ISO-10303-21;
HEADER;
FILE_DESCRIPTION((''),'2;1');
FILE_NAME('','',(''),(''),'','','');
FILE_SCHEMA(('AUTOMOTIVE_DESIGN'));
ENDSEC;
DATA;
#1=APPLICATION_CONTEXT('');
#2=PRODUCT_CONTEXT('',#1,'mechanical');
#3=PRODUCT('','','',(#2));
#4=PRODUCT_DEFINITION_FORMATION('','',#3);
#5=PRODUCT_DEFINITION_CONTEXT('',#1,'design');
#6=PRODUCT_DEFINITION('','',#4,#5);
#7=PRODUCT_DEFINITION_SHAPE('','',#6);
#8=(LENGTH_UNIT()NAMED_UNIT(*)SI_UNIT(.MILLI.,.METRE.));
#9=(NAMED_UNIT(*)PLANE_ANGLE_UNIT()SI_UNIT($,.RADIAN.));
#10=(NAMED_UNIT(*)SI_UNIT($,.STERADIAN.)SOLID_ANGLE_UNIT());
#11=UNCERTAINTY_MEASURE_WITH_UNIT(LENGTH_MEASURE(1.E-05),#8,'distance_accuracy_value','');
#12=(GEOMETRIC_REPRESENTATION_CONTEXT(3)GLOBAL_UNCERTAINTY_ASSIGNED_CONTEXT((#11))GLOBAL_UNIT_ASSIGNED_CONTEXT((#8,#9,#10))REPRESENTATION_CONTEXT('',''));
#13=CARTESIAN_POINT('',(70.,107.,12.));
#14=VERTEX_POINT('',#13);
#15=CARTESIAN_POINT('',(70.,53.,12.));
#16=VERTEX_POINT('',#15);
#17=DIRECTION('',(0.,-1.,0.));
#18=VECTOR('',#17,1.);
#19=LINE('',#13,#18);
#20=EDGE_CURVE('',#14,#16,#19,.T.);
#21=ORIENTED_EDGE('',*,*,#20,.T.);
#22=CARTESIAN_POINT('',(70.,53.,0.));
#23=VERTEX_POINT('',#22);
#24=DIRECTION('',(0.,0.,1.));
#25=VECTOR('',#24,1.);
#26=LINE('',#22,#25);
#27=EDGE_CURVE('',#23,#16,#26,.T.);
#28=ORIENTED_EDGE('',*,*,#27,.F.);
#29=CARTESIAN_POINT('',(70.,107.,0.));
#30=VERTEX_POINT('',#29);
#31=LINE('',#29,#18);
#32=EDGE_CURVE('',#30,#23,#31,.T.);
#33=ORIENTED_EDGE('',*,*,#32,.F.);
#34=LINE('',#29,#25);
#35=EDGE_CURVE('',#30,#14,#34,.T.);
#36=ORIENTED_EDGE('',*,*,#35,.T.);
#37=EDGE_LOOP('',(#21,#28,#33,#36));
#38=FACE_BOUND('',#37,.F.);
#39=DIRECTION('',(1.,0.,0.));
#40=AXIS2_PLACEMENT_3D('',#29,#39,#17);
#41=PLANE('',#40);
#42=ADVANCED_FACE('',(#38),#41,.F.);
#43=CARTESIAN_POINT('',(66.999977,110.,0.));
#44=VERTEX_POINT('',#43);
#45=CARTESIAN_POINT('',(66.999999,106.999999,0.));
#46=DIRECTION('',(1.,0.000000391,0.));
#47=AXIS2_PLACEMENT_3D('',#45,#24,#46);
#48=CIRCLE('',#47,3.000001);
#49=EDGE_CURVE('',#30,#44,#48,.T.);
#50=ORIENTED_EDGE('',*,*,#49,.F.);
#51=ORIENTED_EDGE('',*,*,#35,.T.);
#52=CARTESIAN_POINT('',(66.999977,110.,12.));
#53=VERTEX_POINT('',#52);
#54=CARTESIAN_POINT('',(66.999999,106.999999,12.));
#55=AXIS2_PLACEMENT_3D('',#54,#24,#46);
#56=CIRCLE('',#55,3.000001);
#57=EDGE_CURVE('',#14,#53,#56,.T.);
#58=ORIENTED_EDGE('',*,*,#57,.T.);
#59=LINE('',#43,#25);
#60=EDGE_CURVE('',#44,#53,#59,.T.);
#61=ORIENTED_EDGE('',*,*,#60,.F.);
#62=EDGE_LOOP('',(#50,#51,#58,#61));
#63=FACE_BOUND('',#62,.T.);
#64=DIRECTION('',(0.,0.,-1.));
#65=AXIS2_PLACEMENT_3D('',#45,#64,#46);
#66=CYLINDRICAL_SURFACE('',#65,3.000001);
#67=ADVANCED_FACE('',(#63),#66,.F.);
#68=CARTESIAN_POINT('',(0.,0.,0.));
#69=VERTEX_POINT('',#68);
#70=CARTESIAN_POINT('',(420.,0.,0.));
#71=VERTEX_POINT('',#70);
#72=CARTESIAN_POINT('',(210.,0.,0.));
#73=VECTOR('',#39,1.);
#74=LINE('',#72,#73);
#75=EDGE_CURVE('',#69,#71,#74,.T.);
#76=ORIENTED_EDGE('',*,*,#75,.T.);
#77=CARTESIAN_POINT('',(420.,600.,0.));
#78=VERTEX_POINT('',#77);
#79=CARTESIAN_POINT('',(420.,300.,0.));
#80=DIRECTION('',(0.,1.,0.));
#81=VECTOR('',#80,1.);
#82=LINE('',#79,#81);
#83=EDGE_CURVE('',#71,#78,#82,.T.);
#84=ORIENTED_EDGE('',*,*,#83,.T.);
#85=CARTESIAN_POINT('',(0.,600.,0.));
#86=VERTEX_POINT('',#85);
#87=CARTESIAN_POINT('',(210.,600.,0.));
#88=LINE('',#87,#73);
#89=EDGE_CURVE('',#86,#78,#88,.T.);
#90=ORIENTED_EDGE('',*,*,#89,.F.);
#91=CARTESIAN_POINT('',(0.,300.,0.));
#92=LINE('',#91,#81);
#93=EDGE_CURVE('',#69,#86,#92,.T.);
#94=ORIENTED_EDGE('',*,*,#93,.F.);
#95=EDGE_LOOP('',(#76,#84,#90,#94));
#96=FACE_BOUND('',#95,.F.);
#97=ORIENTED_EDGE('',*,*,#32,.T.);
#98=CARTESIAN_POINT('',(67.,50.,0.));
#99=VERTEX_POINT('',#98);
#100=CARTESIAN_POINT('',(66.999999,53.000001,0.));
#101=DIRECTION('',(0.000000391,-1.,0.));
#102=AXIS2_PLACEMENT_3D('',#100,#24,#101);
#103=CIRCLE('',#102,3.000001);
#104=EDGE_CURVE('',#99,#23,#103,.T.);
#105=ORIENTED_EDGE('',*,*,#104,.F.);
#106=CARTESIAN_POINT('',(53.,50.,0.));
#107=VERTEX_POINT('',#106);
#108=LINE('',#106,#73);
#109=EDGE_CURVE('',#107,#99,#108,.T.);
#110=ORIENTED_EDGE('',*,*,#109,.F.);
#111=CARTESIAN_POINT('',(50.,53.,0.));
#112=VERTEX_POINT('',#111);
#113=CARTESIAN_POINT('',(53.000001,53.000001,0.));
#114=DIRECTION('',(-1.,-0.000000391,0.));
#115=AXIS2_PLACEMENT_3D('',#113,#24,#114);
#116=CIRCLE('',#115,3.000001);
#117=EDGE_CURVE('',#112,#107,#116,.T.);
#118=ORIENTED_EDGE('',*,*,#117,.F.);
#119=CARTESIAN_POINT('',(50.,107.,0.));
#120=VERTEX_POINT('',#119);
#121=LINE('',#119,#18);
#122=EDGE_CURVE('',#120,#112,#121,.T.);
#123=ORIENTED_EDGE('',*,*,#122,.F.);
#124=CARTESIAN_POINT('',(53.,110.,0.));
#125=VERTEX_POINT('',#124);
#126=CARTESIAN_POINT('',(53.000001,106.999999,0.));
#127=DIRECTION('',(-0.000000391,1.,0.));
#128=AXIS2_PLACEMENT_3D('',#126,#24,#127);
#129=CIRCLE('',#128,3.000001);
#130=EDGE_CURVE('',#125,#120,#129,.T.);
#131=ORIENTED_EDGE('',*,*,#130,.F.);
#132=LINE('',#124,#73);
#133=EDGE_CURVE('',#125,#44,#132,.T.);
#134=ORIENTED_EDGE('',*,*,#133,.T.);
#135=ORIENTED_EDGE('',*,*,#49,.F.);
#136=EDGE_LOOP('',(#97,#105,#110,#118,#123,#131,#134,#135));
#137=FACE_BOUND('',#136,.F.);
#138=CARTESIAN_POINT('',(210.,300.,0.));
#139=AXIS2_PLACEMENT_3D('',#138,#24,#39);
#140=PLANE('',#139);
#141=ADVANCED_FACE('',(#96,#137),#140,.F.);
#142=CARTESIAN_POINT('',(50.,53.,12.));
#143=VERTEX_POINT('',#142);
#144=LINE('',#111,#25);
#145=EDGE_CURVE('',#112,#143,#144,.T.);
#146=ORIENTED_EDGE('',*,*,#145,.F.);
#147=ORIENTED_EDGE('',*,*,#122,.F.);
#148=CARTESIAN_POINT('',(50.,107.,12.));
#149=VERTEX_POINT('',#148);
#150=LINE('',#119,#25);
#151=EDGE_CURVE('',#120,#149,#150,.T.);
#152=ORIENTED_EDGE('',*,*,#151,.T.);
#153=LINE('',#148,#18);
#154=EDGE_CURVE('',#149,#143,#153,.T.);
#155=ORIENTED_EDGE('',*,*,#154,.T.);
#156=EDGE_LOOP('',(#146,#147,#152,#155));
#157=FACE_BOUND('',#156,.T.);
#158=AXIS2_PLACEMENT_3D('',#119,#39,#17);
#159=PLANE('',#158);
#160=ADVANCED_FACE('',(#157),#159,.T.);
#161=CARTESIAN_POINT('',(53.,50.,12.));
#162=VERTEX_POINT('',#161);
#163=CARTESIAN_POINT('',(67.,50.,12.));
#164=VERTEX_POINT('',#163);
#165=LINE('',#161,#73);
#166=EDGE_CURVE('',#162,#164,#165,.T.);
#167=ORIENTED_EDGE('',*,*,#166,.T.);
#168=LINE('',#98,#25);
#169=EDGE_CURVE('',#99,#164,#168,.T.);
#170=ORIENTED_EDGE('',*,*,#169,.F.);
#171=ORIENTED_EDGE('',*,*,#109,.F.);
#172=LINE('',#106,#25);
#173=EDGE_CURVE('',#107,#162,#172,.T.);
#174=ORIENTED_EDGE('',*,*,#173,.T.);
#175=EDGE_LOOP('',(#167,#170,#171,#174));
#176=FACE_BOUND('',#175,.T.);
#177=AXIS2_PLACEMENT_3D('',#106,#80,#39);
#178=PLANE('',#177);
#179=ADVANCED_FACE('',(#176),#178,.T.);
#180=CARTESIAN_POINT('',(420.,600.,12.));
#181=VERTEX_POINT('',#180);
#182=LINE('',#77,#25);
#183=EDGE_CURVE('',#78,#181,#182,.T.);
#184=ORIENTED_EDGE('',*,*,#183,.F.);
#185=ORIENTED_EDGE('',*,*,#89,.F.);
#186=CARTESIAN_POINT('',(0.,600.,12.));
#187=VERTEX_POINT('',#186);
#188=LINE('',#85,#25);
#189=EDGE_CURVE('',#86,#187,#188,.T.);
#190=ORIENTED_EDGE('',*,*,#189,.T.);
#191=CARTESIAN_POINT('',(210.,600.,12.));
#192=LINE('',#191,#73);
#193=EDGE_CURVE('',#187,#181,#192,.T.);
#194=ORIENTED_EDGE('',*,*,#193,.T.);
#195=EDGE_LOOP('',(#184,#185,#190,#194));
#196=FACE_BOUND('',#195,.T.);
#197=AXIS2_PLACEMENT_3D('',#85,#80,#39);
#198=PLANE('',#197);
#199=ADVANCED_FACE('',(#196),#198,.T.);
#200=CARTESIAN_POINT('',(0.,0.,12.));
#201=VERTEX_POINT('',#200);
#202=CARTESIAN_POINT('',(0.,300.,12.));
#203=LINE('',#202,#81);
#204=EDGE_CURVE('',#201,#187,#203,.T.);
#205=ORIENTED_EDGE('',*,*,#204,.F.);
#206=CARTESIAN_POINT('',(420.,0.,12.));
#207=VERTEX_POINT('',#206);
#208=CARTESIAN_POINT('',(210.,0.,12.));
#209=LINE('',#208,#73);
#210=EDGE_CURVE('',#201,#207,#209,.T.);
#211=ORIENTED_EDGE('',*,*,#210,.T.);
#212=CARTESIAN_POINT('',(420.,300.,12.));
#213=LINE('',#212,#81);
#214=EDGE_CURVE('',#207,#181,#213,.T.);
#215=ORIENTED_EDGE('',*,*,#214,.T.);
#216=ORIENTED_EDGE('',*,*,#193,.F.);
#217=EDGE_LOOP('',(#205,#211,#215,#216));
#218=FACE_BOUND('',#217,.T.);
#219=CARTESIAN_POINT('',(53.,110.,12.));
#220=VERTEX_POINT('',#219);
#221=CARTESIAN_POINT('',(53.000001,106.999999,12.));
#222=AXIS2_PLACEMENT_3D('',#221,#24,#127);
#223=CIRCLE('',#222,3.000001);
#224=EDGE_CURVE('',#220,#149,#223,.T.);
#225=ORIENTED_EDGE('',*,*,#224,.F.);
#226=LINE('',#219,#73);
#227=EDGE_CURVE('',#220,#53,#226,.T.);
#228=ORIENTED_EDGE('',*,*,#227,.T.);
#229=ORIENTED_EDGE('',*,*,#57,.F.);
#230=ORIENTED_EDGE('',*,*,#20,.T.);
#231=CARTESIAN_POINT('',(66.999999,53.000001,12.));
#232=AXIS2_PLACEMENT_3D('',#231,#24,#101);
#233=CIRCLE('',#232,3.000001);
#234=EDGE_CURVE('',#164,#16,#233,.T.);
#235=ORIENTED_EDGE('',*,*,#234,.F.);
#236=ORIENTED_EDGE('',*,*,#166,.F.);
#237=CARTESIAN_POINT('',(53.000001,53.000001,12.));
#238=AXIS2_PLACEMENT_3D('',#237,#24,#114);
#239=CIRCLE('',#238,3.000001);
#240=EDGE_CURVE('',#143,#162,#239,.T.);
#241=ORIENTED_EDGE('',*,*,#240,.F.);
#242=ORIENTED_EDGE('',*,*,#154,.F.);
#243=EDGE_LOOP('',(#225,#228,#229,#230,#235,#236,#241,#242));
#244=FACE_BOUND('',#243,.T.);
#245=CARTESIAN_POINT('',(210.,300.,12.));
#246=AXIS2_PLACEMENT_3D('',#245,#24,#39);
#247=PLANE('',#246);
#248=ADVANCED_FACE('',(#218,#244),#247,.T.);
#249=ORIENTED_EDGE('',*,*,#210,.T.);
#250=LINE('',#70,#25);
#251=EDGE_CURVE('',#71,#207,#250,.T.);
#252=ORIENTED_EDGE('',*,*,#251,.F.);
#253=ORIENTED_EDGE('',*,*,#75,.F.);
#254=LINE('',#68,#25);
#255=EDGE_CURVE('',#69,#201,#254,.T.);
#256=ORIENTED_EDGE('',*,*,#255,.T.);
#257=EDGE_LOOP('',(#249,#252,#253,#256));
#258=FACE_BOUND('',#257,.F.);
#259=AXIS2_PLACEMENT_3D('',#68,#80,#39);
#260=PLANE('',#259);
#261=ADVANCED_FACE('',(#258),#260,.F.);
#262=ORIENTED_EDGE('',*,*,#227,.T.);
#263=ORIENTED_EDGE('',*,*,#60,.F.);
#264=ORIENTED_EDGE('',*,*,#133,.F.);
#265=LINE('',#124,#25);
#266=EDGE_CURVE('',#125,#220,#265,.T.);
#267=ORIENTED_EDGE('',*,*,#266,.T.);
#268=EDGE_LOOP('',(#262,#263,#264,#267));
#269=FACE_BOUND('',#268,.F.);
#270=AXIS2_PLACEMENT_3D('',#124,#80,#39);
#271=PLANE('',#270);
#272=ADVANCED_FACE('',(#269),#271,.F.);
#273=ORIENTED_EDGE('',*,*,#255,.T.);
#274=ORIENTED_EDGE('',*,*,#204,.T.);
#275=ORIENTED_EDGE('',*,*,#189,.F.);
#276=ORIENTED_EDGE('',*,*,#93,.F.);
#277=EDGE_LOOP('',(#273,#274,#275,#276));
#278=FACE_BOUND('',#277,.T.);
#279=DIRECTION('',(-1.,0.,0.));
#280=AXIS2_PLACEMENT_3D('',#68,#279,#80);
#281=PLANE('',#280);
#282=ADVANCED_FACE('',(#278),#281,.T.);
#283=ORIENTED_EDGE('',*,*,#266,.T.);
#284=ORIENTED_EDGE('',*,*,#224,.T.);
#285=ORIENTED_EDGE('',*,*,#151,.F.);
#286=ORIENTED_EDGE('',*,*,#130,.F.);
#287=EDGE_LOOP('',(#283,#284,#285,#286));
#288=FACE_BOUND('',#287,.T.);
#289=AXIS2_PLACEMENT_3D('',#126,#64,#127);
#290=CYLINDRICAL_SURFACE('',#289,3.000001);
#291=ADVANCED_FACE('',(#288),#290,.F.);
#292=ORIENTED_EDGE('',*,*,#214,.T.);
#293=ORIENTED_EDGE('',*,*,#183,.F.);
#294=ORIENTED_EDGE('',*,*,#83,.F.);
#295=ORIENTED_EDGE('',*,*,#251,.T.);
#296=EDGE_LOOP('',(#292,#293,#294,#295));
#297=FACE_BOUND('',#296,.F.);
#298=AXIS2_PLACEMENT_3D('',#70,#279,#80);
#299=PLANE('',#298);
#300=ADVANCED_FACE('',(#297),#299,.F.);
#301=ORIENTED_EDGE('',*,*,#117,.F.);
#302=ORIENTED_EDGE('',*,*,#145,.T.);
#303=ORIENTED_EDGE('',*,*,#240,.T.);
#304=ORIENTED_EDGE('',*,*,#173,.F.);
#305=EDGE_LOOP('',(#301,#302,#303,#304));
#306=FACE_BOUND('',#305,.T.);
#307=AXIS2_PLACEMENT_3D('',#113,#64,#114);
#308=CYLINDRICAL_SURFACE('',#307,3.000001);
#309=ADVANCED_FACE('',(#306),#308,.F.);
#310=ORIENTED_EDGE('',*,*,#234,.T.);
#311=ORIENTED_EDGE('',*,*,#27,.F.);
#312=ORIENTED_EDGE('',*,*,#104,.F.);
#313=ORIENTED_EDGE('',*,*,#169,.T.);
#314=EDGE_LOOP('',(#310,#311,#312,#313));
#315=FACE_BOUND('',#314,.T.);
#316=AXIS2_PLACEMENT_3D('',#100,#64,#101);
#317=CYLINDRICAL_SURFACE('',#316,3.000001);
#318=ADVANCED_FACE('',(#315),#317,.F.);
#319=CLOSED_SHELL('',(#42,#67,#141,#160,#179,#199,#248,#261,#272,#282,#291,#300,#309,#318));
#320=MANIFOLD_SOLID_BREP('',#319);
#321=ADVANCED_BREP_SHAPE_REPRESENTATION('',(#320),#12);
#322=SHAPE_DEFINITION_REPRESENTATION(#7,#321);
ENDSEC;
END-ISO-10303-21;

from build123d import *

# Parameters (mm, degrees)
SKETCH_W  = 420
SKETCH_H  = 600
PAD_DEPTH = 12


with BuildPart() as part:
    # Sketch → Pad (new body)
    with BuildSketch(Plane.XY):
        with Locations((210, 300)):
            Rectangle(SKETCH_W, SKETCH_H)
        with BuildLine():
            Line((50, 107), (50, 53))
            ThreePointArc((50, 53), (50.87868, 50.87868), (53, 50))
            Line((53, 50), (67, 50))
            ThreePointArc((67, 50), (69.12132, 50.87868), (70, 53))
            Line((70, 107), (70, 53))
            ThreePointArc((70, 107), (69.121312, 109.121328), (66.999977, 110))
            Line((53, 110), (66.999977, 110))
            ThreePointArc((53, 110), (50.87868, 109.12132), (50, 107))
        make_face(mode=Mode.SUBTRACT)
    extrude(amount=PAD_DEPTH)


solid = part.part
